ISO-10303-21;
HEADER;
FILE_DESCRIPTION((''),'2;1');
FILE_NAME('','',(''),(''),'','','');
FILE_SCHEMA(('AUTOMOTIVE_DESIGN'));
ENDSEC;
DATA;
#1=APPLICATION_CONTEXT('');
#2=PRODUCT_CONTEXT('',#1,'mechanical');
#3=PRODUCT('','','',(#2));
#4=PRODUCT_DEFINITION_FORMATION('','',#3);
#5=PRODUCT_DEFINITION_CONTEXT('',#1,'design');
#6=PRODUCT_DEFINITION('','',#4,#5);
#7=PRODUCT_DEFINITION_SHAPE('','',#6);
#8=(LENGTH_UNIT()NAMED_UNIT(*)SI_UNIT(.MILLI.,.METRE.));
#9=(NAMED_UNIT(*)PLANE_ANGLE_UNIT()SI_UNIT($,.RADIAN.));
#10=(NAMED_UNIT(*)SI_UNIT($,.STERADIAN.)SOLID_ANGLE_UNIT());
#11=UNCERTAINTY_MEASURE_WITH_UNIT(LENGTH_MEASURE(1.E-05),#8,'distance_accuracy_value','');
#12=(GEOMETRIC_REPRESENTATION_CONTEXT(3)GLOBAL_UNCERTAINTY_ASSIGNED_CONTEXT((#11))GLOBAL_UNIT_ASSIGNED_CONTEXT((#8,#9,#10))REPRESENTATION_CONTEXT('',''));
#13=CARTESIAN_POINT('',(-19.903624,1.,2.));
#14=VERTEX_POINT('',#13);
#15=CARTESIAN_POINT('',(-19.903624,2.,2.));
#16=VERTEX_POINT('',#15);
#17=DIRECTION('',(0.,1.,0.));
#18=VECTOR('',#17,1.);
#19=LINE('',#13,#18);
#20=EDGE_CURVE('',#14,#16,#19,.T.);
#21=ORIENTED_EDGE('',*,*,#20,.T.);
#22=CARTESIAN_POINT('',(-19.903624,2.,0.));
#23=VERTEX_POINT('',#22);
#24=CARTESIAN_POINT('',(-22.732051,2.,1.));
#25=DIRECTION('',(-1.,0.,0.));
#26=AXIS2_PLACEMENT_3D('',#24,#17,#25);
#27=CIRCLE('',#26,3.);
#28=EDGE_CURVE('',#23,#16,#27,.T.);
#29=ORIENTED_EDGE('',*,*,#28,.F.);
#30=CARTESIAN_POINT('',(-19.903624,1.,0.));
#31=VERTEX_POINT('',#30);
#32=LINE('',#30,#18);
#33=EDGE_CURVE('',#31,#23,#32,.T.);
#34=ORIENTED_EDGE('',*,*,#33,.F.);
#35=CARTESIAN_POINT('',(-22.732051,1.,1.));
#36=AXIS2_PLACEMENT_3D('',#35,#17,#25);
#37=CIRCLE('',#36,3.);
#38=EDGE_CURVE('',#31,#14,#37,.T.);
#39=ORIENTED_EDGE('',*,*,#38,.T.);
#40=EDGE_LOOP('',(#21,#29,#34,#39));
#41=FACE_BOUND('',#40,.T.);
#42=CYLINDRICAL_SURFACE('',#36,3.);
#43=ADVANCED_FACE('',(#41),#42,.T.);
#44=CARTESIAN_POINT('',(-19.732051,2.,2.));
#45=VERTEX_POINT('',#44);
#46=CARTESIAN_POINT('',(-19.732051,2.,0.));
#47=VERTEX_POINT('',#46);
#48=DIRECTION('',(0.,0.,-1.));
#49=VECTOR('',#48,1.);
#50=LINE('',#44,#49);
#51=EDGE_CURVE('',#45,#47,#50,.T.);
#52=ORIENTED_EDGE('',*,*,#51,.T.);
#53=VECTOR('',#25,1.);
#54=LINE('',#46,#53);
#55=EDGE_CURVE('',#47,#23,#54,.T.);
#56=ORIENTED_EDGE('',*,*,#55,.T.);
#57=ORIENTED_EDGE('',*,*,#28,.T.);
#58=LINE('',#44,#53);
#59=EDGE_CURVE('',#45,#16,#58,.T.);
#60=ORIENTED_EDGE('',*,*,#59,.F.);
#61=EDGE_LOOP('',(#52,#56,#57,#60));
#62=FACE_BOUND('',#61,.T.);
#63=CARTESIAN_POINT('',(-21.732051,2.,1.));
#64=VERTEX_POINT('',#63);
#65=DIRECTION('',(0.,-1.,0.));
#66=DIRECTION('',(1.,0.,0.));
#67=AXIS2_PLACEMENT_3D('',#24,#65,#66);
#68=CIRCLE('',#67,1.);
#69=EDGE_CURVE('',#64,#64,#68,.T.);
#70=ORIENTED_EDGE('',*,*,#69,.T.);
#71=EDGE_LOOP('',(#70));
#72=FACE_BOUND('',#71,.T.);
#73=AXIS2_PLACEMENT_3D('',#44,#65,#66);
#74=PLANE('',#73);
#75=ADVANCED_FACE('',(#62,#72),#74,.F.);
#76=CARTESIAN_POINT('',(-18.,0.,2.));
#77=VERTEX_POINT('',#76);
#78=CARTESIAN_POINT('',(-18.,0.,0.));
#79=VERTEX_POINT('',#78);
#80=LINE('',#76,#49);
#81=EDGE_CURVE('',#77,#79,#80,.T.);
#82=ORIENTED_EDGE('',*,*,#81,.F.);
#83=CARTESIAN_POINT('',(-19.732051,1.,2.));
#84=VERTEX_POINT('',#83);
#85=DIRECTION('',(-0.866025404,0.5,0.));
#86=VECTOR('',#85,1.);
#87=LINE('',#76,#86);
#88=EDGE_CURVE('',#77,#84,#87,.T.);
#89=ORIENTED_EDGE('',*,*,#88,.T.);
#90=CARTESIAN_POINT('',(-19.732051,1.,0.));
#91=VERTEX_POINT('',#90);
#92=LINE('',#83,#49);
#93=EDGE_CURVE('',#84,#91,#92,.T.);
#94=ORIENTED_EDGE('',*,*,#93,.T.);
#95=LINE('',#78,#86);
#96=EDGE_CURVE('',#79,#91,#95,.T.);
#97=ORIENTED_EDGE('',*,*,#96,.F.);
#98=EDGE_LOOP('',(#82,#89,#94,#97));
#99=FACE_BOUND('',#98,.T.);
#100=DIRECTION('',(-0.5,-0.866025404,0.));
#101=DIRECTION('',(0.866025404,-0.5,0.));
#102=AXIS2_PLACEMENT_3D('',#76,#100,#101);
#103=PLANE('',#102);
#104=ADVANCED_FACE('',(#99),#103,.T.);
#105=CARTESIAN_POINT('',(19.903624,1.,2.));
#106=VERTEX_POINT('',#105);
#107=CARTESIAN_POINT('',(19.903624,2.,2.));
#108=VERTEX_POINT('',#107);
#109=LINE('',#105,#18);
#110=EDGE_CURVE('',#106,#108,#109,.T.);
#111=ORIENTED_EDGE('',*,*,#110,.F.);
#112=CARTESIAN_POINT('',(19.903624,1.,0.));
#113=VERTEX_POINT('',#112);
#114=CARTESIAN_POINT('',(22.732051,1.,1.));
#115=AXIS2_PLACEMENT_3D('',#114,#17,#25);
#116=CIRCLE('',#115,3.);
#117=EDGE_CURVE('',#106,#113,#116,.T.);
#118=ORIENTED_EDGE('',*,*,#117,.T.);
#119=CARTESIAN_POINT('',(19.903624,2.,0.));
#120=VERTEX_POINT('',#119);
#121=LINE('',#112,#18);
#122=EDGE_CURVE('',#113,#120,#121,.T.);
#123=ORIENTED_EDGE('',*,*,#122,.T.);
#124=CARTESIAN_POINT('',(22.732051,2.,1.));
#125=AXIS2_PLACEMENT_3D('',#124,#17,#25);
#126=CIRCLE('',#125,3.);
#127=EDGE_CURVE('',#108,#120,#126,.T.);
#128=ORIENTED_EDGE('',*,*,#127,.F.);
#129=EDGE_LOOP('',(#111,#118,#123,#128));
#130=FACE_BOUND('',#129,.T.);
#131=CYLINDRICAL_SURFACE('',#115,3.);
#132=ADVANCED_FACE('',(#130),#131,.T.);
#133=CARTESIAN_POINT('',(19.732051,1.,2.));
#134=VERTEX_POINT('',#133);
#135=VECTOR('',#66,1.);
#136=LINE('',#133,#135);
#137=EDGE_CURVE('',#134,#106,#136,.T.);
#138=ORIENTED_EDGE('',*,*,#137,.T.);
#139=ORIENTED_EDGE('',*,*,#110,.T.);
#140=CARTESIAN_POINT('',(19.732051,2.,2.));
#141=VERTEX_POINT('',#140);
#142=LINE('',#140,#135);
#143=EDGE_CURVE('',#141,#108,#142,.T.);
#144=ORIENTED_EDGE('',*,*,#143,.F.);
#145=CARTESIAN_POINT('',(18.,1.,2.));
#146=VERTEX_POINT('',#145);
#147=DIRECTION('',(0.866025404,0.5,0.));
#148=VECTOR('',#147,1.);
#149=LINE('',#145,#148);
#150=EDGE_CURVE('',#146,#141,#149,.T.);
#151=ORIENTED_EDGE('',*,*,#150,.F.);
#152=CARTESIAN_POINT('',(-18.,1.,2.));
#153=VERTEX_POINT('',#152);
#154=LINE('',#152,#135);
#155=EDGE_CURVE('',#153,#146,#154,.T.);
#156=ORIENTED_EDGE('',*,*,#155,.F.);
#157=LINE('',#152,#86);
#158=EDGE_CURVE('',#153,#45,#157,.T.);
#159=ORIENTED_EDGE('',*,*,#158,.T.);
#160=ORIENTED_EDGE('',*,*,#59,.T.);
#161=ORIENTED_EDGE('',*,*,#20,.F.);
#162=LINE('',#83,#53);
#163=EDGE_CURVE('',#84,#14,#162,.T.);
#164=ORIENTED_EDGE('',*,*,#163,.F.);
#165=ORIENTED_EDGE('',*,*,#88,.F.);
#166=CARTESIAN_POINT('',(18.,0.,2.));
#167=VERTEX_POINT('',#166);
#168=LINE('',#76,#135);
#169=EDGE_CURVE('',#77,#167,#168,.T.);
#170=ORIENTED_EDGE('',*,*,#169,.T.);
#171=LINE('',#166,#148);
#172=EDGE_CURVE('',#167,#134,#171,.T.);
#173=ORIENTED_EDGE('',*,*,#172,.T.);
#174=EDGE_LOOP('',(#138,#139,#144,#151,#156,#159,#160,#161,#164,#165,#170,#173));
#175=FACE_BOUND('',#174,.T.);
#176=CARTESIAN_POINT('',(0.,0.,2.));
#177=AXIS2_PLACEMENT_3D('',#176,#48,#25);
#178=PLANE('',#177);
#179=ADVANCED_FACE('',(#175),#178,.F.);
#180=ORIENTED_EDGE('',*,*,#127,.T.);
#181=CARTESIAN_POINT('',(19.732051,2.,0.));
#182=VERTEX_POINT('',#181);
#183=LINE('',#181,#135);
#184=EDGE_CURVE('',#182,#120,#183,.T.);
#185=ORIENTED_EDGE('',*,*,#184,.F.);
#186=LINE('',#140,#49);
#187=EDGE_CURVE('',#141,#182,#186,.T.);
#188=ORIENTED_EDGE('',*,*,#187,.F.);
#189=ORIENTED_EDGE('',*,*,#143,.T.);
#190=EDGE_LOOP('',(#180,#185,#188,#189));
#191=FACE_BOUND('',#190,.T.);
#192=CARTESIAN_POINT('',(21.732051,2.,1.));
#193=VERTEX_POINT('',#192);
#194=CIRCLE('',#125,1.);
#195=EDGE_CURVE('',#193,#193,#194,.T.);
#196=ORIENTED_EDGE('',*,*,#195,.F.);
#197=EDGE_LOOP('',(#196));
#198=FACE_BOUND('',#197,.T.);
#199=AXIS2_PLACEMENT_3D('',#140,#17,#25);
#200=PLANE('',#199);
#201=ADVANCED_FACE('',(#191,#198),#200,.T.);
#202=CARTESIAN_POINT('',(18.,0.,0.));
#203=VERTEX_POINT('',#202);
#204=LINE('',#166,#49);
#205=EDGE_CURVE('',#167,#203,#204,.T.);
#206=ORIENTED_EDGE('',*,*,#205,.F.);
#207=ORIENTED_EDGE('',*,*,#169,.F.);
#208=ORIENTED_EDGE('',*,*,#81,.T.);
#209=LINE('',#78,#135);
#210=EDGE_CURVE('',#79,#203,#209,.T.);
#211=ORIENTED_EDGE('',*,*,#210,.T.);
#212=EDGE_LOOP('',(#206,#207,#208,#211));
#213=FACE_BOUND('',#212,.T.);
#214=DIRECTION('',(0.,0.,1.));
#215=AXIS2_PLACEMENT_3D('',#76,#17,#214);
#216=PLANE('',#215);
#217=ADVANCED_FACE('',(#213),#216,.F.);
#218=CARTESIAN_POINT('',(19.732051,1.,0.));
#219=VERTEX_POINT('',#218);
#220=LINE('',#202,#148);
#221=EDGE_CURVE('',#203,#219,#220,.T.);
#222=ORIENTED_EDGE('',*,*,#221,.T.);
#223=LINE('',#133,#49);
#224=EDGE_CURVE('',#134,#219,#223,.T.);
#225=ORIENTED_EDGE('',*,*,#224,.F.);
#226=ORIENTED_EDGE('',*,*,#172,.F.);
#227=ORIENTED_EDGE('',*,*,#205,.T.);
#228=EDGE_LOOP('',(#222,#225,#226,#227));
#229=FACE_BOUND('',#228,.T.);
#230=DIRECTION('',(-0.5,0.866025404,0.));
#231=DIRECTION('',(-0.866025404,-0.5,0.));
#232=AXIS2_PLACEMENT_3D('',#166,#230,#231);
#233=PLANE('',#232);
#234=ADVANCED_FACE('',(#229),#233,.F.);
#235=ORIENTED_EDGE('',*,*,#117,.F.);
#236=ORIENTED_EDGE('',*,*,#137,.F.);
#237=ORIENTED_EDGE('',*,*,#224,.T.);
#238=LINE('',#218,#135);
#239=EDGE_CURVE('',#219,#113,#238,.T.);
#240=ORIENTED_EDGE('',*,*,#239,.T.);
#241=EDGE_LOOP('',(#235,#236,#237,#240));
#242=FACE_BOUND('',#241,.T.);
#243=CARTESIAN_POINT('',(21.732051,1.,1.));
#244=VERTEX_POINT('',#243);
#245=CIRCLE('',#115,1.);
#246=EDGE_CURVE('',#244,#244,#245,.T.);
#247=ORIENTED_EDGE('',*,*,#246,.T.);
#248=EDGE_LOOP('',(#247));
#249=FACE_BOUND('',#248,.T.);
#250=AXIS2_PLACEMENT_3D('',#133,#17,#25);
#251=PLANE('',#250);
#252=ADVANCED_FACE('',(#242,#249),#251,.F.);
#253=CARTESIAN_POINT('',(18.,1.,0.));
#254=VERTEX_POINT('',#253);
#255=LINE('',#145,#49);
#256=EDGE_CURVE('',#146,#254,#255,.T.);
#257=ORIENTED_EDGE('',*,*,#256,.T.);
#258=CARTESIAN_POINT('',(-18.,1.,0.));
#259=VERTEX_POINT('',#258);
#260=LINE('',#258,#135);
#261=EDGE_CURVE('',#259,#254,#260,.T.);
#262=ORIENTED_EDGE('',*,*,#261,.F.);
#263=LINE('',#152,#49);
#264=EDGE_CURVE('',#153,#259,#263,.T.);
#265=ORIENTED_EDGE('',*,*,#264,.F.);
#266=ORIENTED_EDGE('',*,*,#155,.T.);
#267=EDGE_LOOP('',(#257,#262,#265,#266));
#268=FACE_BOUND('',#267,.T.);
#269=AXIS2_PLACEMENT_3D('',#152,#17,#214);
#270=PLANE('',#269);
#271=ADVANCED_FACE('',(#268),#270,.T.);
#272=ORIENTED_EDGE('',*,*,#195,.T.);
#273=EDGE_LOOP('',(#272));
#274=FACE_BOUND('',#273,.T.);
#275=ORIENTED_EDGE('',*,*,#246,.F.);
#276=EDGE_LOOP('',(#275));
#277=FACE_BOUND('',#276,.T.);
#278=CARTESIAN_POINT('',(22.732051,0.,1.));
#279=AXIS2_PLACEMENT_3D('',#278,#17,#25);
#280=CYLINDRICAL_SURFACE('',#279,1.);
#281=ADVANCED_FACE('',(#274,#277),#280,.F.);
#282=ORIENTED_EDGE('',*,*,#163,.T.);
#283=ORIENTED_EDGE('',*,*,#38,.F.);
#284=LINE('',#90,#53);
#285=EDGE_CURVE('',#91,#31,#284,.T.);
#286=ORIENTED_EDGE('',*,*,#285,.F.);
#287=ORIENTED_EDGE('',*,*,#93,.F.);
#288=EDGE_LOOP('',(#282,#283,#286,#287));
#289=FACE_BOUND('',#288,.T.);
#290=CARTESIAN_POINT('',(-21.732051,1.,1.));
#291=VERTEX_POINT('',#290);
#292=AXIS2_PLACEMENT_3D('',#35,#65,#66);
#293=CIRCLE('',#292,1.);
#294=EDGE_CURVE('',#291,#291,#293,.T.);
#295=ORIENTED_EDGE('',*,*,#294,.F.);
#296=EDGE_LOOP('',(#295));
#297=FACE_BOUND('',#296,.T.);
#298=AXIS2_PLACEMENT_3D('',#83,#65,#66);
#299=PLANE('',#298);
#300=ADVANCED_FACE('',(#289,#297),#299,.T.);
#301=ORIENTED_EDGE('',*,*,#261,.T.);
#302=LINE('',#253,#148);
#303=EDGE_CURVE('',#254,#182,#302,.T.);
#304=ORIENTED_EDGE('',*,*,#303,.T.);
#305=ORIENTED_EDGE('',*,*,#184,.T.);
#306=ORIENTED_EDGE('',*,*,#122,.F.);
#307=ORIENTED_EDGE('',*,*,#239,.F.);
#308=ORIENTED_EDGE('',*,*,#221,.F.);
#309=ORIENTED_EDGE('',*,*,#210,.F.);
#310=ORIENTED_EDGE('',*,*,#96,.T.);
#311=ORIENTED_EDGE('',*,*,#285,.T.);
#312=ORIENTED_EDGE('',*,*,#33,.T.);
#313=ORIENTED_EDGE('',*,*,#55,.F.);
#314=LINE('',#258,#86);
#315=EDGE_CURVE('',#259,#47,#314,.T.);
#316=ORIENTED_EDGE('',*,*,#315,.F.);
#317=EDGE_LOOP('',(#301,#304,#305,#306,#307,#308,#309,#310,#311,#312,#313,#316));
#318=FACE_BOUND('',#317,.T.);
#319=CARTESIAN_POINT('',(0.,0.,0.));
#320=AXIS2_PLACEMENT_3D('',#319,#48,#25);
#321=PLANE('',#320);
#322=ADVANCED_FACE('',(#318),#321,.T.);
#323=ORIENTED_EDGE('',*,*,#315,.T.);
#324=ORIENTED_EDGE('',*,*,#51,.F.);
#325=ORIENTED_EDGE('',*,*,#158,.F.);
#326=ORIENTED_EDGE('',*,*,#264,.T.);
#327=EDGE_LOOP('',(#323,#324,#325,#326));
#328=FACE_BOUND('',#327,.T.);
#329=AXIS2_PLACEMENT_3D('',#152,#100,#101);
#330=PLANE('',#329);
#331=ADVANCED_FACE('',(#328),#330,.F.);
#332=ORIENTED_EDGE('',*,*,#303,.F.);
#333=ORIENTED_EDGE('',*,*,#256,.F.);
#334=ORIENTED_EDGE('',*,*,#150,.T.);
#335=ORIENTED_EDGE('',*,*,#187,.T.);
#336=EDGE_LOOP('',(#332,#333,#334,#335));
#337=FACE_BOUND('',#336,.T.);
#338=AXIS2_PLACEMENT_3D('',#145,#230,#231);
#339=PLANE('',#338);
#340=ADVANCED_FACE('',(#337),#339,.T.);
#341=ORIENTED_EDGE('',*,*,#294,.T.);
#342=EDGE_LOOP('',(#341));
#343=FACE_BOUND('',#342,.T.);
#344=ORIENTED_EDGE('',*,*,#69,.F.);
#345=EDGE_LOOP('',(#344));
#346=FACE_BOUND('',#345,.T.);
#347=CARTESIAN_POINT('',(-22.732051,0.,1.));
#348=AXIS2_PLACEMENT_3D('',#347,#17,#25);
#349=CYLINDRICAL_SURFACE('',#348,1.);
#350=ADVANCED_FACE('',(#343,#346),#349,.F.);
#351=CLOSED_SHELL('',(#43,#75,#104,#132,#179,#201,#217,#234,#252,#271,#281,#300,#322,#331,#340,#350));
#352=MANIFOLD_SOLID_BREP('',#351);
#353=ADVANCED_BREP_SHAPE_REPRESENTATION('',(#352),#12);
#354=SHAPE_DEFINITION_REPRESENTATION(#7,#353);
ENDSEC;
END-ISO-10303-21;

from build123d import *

# Parameters (mm, degrees)
BOSS_EXTRUDE1_DEPTH     = 2
SKETCH3_R               = 3
BOSS_EXTRUDE2_DEPTH     = 1
SKETCH4_R               = 3
BOSS_EXTRUDE3_DEPTH     = 1
SKETCH5_R               = 1
CUT_EXTRUDE5_DEPTH      = 1
CUT_EXTRUDE5_DEPTH_BACK = 3


with BuildPart() as part:
    # Sketch2 → Boss-Extrude1 (new body)
    with BuildSketch(Plane.XY):
        Polygon((-18, 0), (18, 0), (19.732050808, 1), (20.970146046, 1), (20.970146046, 2), (19.732050808, 2), (18, 1), (-18, 1), (-19.732050808, 2), (-20.970146046, 2), (-20.970146046, 1), (-19.732050808, 1), align=None)
    extrude(amount=BOSS_EXTRUDE1_DEPTH)

    # Sketch3 → Boss-Extrude2 (add)
    with BuildSketch(Plane(origin=(0, 2, 0), x_dir=(1, 0, 0), z_dir=(0, 1, 0))):
        with Locations((-22.732050808, -1)):
            Circle(SKETCH3_R)
    extrude(amount=-BOSS_EXTRUDE2_DEPTH)

    # Sketch4 → Boss-Extrude3 (add)
    with BuildSketch(Plane(origin=(0, 2, 0), x_dir=(1, 0, 0), z_dir=(0, 1, 0))):
        with Locations((22.732050808, -1)):
            Circle(SKETCH4_R)
    extrude(amount=-BOSS_EXTRUDE3_DEPTH)

    # Sketch5 → Cut-Extrude5 (cut, two sides)
    with BuildSketch(Plane(origin=(0, 2, 0), x_dir=(1, 0, 0), z_dir=(0, 1, 0))) as cut_extrude5_sk:
        with Locations((-22.732050808, -1)):
            Circle(SKETCH5_R)
        with Locations((22.732050808, -1)):
            Circle(SKETCH5_R)
    extrude(amount=CUT_EXTRUDE5_DEPTH, mode=Mode.SUBTRACT)
    extrude(cut_extrude5_sk.sketch, amount=-CUT_EXTRUDE5_DEPTH_BACK, mode=Mode.SUBTRACT)


solid = part.part
